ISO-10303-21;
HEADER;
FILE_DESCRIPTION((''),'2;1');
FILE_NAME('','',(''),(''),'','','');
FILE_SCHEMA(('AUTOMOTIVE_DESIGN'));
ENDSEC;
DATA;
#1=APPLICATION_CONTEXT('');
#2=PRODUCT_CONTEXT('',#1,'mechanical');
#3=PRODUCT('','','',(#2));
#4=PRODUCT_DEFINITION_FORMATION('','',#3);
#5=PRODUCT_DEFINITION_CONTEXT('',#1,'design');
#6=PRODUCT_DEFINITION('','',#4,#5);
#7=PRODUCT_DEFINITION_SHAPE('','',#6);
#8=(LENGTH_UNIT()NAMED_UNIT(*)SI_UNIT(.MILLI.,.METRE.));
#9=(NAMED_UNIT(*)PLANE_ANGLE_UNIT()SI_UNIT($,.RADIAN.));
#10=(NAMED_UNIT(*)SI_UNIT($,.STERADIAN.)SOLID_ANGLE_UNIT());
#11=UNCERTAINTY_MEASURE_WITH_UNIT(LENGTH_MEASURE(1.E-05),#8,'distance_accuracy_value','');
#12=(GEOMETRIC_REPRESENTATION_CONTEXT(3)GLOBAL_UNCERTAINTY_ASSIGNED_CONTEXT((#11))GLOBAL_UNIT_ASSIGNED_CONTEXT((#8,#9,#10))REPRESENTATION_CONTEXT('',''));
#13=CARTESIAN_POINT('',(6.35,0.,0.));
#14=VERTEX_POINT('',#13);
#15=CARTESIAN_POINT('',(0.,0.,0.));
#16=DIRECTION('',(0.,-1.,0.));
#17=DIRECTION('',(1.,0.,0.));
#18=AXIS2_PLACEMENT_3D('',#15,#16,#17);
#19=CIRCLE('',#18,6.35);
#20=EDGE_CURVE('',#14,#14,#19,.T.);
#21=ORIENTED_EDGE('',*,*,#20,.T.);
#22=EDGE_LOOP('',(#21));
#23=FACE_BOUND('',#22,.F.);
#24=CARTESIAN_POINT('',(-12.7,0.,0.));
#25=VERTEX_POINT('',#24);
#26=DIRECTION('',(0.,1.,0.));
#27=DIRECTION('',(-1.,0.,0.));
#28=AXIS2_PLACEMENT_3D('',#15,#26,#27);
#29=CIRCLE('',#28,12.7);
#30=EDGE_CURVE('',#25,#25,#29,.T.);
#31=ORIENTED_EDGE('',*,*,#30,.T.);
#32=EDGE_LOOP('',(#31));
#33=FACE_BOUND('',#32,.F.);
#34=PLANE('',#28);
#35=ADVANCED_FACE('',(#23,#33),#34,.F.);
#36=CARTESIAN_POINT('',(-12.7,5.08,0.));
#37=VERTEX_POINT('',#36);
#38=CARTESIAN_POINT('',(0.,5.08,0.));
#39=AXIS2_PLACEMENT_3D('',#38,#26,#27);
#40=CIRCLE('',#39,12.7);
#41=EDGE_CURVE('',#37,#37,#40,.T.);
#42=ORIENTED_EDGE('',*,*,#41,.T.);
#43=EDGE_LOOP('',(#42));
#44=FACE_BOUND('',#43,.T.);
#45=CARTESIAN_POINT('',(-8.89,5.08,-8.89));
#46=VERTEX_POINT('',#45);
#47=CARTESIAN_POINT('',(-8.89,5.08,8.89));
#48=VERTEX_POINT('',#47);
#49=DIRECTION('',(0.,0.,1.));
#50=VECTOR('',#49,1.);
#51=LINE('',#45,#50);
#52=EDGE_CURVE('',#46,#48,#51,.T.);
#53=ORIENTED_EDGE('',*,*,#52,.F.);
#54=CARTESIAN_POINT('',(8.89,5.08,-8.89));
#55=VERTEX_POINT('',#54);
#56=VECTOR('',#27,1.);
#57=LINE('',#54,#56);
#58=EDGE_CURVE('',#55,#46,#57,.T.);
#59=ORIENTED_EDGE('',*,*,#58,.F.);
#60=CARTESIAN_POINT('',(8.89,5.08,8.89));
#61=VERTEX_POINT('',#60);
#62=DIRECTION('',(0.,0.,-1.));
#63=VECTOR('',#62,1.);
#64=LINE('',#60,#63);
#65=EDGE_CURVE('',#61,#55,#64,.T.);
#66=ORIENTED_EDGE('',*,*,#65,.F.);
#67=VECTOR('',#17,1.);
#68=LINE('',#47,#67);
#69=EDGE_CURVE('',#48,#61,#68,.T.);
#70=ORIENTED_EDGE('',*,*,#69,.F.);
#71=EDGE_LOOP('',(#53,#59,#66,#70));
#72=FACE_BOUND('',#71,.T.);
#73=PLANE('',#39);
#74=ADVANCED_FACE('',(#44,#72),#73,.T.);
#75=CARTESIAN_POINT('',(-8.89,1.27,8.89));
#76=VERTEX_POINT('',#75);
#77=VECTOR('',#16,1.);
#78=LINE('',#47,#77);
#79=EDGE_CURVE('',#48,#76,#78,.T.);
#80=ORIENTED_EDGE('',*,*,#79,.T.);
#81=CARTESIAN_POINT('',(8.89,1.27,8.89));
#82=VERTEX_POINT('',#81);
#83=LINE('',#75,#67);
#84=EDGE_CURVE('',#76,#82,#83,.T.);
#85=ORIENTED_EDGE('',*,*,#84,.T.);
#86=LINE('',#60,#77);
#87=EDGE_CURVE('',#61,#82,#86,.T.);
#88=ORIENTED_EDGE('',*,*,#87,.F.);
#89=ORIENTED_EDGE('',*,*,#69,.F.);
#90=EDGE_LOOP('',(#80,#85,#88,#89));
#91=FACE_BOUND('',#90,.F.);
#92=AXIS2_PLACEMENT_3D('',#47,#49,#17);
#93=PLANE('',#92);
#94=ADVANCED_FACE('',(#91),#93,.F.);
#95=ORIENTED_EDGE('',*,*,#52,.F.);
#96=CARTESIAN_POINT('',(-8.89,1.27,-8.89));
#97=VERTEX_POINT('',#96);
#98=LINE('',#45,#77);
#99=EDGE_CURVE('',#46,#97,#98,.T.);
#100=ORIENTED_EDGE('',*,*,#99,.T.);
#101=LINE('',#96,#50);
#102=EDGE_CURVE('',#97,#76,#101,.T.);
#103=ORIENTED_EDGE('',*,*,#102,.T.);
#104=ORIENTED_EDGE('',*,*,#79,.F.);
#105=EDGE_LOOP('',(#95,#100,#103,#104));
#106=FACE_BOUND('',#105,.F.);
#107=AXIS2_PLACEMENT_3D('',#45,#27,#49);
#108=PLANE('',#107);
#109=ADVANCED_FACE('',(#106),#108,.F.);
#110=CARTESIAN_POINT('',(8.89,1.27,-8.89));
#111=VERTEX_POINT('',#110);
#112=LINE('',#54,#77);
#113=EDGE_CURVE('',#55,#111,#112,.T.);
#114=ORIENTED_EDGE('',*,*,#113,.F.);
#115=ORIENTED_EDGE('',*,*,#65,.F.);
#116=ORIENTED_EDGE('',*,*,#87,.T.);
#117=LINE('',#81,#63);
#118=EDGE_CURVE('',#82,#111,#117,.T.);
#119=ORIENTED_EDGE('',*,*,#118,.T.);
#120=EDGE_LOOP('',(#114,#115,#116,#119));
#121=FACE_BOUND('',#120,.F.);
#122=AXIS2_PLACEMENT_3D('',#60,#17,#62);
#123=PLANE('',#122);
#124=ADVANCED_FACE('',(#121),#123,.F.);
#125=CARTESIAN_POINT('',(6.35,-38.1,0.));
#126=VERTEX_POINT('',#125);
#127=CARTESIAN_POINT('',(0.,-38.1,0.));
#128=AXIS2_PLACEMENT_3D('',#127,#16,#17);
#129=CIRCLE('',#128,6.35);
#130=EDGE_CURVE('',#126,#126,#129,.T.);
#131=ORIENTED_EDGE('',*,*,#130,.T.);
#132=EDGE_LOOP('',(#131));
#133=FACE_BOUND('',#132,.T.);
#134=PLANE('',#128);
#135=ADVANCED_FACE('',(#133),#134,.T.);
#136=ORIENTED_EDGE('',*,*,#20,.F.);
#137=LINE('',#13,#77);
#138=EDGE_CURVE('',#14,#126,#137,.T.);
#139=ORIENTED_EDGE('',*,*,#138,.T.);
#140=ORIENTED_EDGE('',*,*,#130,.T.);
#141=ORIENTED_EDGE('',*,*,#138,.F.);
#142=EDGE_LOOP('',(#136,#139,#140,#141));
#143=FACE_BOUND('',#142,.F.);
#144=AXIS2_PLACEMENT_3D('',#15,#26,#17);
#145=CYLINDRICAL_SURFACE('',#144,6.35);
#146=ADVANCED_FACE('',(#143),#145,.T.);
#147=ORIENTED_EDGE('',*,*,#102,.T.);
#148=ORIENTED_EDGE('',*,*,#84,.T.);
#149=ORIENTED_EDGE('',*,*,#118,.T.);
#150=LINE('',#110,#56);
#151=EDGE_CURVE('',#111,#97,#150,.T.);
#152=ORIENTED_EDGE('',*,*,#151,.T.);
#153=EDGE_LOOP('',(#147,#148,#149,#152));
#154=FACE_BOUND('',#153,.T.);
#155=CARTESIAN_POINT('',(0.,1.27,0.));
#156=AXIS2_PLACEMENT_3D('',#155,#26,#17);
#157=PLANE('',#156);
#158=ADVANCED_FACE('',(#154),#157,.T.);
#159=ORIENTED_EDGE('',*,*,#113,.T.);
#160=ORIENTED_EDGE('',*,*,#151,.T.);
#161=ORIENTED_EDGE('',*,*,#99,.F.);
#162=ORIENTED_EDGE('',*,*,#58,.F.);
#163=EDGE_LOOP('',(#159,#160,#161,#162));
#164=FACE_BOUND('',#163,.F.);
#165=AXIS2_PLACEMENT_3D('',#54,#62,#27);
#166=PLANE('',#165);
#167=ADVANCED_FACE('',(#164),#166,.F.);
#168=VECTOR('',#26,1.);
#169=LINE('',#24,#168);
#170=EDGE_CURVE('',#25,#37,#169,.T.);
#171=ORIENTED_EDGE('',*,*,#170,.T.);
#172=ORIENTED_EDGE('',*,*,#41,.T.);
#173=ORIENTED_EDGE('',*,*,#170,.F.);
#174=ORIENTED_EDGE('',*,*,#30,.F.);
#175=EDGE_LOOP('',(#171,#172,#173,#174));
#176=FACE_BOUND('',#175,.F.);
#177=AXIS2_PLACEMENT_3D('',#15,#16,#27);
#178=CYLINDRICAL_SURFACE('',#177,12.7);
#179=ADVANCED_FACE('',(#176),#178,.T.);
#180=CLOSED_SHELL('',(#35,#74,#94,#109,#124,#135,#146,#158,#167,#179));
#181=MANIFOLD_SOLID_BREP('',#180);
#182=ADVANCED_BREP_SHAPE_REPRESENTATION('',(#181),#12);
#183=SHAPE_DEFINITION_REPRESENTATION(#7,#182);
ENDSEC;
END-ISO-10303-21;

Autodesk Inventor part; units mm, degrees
ref_plane "YZ Plane" through (0, 0, 0) normal (1, 0, 0) x (0, 1, 0)
ref_plane "XZ Plane" through (0, 0, 0) normal (0, 1, 0) x (-1, 0, 0)
ref_plane "XY Plane" through (0, 0, 0) normal (0, 0, 1) x (1, 0, 0)
sketch "Sketch1" plane through (0, 0, 0) normal (0, 1, 0) x (-1, 0, 0)
  circle A0 centre (0, 0) radius 12.7
  dimension "d0" = 25.4
extrude "Extrusion1" add sketch "Sketch1" along normal blind 5.08
sketch "Sketch2" plane through (0, 5.08, 0) normal (0, 1, 0) x (1, 0, 0)
  line L0 (-8.89, -8.89) -> (8.89, -8.89)
  line L1 (8.89, -8.89) -> (8.89, 8.89)
  line L2 (8.89, 8.89) -> (-8.89, 8.89)
  line L3 (-8.89, 8.89) -> (-8.89, -8.89)
  point P0 (0, 0)
extrude "Extrusion2" cut sketch "Sketch2" against normal blind 3.81
sketch "Sketch3" plane through (0, 0, 0) normal (0, -1, 0) x (1, 0, 0)
  circle A0 centre (0, 0) radius 6.35
  dimension "d9" = 12.7
extrude "Extrusion3" add sketch "Sketch3" along normal blind 38.1
thread "Thread1" size "1/2-13 UNC" class "2A" standard "ANSI Unified Screw Threads" full length
properties part number "Bolt"
